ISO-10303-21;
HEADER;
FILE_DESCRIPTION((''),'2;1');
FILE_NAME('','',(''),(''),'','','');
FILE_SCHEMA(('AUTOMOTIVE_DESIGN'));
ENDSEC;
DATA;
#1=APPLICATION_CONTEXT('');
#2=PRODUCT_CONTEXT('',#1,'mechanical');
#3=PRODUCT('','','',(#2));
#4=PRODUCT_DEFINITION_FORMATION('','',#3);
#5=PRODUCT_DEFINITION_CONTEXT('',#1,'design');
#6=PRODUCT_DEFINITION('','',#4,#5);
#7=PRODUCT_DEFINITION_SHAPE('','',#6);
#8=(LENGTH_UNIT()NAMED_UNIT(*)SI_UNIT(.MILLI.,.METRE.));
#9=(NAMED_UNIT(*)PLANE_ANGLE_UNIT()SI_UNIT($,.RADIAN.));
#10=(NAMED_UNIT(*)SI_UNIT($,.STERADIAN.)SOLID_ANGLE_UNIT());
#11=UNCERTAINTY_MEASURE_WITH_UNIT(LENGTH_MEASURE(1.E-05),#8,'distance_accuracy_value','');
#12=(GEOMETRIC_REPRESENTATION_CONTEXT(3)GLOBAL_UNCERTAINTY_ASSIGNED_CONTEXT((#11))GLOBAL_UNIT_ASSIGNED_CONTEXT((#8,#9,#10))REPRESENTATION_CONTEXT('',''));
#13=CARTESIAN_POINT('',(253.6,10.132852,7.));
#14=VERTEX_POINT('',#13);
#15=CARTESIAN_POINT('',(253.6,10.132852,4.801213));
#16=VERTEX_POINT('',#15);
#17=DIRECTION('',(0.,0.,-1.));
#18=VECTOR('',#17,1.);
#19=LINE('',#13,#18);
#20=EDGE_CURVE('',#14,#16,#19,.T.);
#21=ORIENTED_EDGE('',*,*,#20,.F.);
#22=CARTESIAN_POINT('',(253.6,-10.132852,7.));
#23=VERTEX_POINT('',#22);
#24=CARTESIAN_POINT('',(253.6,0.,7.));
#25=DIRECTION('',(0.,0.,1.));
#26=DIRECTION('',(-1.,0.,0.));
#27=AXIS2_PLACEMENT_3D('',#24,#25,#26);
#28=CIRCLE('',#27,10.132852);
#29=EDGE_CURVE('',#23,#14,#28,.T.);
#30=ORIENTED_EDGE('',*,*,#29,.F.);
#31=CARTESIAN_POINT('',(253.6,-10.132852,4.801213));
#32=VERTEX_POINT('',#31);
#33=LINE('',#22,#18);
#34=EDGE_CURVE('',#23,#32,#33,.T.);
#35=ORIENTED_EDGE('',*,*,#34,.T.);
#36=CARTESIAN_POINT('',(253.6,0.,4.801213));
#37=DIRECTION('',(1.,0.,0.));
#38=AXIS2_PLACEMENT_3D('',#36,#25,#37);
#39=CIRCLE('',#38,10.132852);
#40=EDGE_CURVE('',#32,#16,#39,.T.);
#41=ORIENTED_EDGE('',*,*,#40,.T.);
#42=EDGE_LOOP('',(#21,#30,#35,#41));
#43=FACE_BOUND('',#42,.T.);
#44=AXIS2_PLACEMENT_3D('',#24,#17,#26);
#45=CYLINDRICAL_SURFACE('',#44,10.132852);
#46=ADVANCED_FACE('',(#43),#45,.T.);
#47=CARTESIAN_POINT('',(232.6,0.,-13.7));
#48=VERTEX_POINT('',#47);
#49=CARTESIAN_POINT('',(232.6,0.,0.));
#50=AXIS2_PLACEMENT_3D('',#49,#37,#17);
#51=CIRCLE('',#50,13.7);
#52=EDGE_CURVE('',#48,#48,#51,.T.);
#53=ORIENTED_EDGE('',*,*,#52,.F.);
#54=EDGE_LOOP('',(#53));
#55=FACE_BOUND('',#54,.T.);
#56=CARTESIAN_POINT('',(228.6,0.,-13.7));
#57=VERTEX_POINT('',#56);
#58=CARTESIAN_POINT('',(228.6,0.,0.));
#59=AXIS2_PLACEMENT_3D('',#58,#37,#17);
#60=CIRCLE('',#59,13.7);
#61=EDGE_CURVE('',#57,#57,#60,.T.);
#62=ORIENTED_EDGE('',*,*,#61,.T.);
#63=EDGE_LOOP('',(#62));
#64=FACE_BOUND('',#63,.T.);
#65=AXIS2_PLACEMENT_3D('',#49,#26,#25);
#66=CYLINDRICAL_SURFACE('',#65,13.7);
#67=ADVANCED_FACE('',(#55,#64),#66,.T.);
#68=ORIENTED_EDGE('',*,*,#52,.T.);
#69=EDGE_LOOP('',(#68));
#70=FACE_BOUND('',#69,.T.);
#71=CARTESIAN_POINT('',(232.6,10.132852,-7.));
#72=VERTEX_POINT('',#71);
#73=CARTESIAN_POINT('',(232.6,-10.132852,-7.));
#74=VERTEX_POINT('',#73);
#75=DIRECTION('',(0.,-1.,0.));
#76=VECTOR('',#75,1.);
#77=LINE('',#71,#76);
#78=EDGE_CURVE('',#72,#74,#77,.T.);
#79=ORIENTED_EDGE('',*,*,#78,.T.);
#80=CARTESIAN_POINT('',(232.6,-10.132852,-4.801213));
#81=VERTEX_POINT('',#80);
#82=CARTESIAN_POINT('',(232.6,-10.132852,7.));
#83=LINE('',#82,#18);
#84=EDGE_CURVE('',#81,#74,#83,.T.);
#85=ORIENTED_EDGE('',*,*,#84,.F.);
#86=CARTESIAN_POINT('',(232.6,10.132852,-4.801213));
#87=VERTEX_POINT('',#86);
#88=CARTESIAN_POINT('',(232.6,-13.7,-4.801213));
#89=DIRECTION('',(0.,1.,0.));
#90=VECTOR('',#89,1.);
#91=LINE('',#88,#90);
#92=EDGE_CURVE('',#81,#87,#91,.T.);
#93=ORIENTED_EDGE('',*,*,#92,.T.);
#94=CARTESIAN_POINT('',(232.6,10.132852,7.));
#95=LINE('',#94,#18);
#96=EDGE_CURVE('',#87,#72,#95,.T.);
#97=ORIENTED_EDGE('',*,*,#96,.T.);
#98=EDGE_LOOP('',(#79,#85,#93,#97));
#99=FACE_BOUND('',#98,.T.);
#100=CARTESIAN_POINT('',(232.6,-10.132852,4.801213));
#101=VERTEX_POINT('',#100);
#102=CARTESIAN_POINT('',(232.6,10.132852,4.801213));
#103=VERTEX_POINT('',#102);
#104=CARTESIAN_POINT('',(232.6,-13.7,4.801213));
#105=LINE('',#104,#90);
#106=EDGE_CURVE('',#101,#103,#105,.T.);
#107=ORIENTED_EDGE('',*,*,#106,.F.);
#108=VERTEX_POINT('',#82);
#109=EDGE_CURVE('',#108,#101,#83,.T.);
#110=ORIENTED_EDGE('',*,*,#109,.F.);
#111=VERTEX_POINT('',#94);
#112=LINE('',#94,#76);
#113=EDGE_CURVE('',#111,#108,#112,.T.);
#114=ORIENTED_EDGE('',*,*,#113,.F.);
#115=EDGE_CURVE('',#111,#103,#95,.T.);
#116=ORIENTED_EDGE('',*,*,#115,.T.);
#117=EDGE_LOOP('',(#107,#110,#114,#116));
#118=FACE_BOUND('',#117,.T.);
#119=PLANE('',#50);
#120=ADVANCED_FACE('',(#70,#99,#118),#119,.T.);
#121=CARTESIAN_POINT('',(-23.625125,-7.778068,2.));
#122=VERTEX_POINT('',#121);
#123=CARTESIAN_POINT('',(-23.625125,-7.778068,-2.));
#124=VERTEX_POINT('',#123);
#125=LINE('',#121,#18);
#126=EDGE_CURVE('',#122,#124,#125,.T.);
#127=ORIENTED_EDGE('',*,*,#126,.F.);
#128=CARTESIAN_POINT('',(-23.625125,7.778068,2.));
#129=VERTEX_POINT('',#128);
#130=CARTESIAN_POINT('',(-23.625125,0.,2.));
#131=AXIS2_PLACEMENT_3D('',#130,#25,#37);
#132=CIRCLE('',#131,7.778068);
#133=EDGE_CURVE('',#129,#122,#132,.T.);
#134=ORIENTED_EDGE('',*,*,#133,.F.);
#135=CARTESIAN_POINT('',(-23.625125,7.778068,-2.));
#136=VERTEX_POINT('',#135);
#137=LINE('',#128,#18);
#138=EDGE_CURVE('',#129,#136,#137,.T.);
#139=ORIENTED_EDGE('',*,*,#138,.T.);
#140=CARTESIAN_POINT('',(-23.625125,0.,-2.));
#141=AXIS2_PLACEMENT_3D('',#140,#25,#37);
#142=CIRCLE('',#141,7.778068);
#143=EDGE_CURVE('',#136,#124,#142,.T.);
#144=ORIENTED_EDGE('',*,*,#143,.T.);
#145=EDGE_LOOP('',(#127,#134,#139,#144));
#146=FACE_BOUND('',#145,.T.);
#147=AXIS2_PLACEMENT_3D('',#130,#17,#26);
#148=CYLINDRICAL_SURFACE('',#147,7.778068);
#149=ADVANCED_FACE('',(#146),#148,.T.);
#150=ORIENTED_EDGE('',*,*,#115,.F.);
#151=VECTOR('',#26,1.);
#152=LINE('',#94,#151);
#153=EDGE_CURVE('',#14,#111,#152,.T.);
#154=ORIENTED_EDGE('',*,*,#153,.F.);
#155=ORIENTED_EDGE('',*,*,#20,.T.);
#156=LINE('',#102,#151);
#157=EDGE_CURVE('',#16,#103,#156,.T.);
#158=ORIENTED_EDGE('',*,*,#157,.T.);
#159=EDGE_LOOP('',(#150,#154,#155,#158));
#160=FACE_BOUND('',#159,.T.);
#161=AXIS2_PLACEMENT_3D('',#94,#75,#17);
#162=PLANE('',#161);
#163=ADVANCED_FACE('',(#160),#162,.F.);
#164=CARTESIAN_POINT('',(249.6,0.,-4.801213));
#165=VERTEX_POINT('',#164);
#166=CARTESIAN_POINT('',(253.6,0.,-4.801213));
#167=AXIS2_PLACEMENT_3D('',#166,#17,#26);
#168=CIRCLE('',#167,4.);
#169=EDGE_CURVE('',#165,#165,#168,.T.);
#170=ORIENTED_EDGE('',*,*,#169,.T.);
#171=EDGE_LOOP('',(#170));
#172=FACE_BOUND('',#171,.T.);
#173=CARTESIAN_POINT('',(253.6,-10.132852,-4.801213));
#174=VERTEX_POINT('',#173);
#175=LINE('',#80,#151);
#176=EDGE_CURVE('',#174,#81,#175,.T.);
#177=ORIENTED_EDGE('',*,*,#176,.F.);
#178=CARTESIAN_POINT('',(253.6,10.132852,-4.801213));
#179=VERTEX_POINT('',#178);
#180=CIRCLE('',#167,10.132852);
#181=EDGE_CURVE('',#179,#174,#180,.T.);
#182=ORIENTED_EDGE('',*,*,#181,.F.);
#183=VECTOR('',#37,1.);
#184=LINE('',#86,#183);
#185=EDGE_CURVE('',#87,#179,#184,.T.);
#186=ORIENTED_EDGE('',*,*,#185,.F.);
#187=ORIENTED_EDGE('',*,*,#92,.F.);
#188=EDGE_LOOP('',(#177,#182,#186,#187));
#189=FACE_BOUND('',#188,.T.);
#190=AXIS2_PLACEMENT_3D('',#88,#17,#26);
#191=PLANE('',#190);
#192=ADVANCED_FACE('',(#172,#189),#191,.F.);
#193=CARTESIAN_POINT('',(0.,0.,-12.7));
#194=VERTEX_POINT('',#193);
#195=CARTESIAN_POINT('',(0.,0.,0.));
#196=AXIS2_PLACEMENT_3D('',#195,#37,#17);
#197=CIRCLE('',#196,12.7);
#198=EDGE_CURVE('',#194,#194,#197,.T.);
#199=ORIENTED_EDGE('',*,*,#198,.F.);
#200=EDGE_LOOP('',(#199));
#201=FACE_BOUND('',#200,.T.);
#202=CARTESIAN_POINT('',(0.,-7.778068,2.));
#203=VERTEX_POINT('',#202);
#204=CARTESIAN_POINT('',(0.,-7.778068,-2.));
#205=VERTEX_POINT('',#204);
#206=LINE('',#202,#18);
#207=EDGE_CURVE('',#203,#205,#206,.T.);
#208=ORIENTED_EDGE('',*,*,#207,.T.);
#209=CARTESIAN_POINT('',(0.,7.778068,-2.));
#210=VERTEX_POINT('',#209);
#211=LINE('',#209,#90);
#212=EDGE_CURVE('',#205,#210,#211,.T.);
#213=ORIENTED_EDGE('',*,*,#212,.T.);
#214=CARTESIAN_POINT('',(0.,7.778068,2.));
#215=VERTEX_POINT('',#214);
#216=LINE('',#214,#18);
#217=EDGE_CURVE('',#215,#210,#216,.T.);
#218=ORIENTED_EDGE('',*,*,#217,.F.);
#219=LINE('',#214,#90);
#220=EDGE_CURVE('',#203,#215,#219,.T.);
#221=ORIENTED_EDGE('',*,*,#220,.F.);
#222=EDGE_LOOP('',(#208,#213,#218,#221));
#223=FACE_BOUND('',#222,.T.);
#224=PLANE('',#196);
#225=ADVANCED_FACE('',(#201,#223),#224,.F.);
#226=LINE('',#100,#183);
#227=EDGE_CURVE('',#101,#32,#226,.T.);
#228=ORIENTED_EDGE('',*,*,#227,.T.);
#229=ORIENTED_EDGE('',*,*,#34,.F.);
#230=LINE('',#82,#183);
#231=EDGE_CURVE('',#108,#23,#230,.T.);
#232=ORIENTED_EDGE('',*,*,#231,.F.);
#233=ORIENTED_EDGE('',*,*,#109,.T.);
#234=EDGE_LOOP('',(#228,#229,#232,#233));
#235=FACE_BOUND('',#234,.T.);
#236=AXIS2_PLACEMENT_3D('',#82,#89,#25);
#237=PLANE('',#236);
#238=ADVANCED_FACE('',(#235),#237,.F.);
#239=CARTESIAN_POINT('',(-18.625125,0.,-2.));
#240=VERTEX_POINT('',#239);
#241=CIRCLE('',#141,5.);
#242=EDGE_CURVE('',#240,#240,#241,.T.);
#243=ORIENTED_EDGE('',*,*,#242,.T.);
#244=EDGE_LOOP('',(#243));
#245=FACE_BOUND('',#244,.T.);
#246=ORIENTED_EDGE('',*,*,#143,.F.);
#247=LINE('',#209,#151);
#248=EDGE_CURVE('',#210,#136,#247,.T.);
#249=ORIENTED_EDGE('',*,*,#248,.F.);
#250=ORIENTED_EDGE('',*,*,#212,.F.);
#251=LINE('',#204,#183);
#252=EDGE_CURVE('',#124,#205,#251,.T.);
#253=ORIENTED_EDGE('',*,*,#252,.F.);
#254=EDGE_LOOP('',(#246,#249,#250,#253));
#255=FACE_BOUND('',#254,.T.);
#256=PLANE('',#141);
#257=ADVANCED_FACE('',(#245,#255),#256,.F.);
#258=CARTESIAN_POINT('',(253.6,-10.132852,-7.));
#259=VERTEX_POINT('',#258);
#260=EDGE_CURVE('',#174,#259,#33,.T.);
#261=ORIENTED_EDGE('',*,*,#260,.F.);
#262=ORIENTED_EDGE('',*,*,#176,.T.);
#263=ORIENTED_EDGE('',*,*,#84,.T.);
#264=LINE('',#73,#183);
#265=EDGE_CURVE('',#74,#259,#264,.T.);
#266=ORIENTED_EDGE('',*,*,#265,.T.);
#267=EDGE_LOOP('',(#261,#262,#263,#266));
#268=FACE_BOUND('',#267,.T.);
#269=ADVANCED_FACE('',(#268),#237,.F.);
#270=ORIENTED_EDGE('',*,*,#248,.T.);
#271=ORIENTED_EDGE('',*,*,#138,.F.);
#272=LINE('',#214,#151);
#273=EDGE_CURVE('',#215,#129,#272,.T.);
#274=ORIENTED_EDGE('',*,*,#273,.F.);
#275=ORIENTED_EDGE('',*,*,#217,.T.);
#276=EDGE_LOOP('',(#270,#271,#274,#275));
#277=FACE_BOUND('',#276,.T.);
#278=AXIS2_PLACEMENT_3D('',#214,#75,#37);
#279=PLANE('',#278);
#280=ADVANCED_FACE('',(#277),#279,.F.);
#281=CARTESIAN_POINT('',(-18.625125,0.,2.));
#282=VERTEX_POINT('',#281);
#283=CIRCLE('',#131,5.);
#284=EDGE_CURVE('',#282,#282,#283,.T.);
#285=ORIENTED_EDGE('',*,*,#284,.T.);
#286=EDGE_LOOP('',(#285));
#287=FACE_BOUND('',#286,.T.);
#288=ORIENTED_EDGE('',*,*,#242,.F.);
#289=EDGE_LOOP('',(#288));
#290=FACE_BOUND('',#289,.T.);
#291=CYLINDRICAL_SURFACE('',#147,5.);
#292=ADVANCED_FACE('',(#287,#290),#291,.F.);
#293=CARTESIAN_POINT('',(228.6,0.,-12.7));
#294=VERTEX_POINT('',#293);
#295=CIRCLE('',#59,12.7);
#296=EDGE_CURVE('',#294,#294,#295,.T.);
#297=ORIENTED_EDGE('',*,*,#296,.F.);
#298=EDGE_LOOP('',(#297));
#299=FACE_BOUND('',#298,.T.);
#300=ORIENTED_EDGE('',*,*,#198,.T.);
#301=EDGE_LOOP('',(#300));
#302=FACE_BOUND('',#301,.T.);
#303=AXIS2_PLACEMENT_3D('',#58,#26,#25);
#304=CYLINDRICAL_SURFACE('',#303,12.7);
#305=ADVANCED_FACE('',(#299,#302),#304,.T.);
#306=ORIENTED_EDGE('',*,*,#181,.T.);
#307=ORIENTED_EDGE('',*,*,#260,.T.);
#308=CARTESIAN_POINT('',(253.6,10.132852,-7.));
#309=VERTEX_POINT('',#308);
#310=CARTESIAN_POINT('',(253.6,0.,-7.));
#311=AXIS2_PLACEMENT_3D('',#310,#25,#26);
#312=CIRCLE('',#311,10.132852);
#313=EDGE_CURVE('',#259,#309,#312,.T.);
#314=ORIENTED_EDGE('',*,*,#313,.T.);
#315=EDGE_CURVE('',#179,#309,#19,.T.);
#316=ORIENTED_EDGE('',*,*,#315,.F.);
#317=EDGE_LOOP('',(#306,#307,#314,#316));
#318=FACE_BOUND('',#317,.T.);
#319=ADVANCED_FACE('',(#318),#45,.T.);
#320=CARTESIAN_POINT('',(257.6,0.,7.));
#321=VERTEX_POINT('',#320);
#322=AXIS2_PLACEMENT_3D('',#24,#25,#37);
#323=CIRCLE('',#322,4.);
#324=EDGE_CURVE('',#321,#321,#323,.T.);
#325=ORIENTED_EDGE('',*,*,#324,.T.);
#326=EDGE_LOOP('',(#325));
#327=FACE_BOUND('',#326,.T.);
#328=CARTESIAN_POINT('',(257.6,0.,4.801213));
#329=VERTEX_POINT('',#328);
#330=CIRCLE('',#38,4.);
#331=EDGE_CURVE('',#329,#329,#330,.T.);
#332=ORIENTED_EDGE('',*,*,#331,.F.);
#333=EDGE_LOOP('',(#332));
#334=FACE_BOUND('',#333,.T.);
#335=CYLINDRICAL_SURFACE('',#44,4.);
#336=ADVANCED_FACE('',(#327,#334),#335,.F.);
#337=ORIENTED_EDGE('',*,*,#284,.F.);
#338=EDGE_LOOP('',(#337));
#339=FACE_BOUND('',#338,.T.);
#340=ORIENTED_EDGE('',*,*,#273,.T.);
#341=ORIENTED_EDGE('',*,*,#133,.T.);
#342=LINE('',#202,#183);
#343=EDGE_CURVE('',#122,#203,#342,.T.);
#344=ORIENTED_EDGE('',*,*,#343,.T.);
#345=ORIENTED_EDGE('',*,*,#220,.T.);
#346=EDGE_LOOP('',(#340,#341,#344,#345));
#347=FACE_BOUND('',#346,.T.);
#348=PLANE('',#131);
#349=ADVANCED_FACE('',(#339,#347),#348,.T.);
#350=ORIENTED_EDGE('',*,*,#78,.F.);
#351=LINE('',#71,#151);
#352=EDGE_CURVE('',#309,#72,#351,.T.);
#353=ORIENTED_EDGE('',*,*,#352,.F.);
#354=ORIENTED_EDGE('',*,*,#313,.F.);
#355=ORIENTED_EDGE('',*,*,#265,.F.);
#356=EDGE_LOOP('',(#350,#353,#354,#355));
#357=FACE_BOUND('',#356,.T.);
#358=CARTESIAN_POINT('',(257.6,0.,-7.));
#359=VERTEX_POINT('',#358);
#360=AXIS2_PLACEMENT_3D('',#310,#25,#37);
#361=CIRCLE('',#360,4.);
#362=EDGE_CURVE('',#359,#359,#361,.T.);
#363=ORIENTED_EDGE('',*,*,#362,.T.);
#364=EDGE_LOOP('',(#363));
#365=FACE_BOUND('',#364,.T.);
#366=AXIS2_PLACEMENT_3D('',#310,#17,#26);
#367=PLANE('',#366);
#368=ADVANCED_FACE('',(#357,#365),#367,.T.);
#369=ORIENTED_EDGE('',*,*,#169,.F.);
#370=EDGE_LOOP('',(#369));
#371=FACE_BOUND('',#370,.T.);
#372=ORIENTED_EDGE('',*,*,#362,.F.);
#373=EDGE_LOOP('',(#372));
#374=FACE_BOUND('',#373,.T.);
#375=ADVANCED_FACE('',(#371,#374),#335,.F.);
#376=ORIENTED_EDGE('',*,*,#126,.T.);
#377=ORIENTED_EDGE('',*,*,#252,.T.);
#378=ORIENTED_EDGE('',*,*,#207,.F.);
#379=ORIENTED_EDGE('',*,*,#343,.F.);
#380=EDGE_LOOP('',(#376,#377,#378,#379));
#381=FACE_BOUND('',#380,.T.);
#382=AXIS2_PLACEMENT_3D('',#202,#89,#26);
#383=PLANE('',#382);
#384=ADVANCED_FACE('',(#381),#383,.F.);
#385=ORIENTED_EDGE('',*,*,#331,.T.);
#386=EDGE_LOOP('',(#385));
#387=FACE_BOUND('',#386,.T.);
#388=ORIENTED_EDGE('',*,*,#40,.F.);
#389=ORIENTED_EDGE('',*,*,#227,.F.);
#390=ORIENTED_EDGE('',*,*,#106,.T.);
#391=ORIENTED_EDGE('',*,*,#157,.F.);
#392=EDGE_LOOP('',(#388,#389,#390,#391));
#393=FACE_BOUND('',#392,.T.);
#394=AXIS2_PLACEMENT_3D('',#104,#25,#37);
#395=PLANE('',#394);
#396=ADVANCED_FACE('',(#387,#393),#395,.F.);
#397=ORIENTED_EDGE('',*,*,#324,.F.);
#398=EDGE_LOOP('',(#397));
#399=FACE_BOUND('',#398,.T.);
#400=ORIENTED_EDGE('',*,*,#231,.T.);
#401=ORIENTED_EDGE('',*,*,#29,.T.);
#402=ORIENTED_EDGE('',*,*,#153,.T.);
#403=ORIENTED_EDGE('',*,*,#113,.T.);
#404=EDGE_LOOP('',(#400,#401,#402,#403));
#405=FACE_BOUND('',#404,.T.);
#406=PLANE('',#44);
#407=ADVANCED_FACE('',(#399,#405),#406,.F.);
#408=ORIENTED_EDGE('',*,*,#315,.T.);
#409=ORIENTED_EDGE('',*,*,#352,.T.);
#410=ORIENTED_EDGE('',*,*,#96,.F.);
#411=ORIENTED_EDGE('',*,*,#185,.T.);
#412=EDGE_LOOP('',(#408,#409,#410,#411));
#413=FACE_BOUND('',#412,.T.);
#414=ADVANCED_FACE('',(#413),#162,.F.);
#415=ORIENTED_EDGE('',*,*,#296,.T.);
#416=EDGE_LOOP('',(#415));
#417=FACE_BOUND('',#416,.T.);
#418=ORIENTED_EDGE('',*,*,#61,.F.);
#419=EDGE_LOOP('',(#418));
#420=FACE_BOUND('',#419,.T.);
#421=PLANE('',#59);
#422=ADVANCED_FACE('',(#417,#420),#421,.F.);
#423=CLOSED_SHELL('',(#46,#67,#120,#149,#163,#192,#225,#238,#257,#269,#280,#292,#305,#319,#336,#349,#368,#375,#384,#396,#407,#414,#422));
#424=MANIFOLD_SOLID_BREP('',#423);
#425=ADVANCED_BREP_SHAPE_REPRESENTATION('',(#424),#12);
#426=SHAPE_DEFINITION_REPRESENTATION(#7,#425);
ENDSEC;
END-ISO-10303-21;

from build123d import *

# Parameters (mm, degrees)
SKETCH1_R               = 12.7
EXTRUDE1_DEPTH          = 228.6
SKETCH2_R               = 5
EXTRUDE2_DEPTH          = 2
SKETCH3_R               = 13.7
EXTRUDE3_DEPTH          = 4
SKETCH4_R               = 4
EXTRUDE4_DEPTH          = 7
SKETCH5_W               = 127.127972269
SKETCH5_H               = 9.602426348
CUT_EXTRUDE1_DEPTH      = 14.7
CUT_EXTRUDE1_DEPTH_BACK = 14.7


with BuildPart() as part:
    # Sketch1 → Extrude1 (new body)
    with BuildSketch(Plane(origin=(0, 0, 0), x_dir=(0, 0, -1), z_dir=(1, 0, 0))):
        Circle(SKETCH1_R)
    extrude(amount=EXTRUDE1_DEPTH)

    # Sketch2 → Extrude2 (add, symmetric)
    with BuildSketch(Plane.XY):
        with BuildLine():
            Line((0, 7.778067586), (-23.625125491, 7.778067586))
            ThreePointArc((-23.625125491, 7.778067586), (-31.403193077, 0), (-23.625125491, -7.778067586))
            Line((-23.625125491, -7.778067586), (0, -7.778067586))
            Line((0, -7.778067586), (0, 7.778067586))
        make_face()
        with Locations((-23.625125491, 0)):
            Circle(SKETCH2_R, mode=Mode.SUBTRACT)
    extrude(amount=EXTRUDE2_DEPTH, both=True)

    # Sketch3 → Extrude3 (add)
    with BuildSketch(Plane(origin=(228.6, 0, 0), x_dir=(0, 0, -1), z_dir=(1, 0, 0))):
        Circle(SKETCH3_R)
    extrude(amount=EXTRUDE3_DEPTH)

    # Sketch4 → Extrude4 (add, symmetric)
    with BuildSketch(Plane.XY):
        with BuildLine():
            Line((232.6, 10.132851916), (253.6, 10.132851916))
            ThreePointArc((253.6, 10.132851916), (263.732851916, 0), (253.6, -10.132851916))
            Line((253.6, -10.132851916), (232.6, -10.132851916))
            Line((232.6, -10.132851916), (232.6, 10.132851916))
        make_face()
        with Locations((253.6, 0)):
            Circle(SKETCH4_R, mode=Mode.SUBTRACT)
    extrude(amount=EXTRUDE4_DEPTH, both=True)

    # Sketch5 → Cut-Extrude1 (cut, two sides)
    with BuildSketch(Plane(origin=(0, 0, 0), x_dir=(1, 0, 0), z_dir=(0, 1, 0))) as cut_extrude1_sk:
        with Locations((296.163986135, 0)):
            Rectangle(SKETCH5_W, SKETCH5_H)
    extrude(amount=CUT_EXTRUDE1_DEPTH, mode=Mode.SUBTRACT)
    extrude(cut_extrude1_sk.sketch, amount=-CUT_EXTRUDE1_DEPTH_BACK, mode=Mode.SUBTRACT)


solid = part.part
